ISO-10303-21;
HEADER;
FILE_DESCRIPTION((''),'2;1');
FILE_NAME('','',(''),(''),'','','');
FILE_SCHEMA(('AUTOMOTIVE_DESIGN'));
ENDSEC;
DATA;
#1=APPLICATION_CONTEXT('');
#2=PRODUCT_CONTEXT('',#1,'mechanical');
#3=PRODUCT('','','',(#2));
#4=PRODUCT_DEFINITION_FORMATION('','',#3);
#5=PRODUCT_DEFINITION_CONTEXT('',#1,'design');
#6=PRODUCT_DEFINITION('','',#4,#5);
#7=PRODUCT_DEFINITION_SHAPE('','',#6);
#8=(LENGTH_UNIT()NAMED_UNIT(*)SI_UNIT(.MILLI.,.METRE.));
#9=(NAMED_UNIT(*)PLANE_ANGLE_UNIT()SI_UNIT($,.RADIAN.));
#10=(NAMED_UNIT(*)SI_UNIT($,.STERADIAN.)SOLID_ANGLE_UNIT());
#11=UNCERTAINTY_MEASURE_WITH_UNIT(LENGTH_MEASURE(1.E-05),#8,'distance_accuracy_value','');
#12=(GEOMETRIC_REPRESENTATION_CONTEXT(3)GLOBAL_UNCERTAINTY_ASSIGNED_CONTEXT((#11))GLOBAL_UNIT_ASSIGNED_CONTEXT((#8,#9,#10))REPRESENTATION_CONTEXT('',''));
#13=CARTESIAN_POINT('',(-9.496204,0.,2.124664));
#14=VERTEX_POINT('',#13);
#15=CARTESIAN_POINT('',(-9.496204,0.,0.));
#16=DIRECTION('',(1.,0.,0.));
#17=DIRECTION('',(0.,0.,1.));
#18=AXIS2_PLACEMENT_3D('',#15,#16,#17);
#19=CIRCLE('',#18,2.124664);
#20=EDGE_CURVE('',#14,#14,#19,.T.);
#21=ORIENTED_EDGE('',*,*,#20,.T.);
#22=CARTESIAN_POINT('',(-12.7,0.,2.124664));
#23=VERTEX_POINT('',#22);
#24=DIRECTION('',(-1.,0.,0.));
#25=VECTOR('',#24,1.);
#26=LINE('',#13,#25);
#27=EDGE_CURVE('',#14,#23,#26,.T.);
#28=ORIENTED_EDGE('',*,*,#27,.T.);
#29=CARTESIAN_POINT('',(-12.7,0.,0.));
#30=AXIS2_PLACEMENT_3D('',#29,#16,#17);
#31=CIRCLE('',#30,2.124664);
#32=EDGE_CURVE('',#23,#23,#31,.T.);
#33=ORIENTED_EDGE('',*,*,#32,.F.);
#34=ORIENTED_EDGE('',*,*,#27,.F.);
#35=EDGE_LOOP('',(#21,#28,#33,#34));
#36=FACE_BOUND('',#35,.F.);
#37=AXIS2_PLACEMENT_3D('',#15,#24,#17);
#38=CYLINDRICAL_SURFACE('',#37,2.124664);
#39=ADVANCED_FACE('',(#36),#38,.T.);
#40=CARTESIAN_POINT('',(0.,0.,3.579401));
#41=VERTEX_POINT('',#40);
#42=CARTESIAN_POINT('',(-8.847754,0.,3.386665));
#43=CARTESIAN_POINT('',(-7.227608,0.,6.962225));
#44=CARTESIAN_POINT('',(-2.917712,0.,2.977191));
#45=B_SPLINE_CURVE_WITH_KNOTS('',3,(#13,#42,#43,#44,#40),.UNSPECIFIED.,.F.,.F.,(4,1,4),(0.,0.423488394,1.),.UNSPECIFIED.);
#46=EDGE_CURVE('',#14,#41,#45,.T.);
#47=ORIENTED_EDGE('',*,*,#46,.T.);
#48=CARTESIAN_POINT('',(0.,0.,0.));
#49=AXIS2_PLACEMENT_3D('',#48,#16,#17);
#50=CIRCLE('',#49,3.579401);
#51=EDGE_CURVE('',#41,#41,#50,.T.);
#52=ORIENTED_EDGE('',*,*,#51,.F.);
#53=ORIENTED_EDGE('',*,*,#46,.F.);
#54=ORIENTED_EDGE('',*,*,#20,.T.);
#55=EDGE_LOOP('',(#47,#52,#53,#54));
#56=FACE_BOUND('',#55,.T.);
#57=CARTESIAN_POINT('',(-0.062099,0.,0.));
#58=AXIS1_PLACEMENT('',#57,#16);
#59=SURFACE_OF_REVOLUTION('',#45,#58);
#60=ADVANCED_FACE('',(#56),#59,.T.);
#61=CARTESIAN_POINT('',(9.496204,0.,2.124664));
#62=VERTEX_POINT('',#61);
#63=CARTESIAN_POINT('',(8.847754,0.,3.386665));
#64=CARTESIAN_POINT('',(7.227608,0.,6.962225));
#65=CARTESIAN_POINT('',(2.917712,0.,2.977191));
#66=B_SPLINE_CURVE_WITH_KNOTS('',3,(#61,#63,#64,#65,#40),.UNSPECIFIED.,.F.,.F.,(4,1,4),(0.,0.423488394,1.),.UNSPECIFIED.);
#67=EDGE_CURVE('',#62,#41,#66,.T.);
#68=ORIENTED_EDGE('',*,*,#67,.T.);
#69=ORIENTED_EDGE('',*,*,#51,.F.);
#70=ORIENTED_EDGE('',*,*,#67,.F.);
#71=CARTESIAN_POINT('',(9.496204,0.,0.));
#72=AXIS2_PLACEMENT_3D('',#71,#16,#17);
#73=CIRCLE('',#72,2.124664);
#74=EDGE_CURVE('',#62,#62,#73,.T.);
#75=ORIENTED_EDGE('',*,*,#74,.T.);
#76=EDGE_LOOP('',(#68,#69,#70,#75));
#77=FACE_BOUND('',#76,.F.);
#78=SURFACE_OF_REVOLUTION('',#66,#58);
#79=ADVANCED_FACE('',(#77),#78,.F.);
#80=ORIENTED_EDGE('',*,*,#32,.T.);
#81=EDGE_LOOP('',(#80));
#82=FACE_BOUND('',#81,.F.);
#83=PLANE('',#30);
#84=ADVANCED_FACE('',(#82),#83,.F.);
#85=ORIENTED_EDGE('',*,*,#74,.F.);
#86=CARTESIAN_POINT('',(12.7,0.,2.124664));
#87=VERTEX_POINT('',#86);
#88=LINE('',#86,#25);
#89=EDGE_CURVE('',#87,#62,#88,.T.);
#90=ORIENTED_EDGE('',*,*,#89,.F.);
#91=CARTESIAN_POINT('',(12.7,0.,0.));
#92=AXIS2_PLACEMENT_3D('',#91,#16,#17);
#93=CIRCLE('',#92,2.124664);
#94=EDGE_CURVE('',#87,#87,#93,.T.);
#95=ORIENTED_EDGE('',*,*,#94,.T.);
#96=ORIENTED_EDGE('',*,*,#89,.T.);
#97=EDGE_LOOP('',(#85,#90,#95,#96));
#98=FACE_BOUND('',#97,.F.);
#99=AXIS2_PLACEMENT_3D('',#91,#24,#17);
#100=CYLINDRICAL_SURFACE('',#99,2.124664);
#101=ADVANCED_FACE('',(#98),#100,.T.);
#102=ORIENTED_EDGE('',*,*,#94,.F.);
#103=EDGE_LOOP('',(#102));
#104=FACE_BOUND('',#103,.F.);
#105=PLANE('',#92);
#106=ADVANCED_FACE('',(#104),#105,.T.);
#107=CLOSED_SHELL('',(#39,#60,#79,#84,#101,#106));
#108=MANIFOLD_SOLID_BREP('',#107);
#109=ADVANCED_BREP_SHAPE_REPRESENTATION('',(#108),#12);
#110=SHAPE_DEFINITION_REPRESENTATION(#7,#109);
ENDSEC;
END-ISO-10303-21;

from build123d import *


with BuildPart() as f2:
    # F0 (on Front) → F2 (revolve)
    with BuildSketch(Plane.XZ):
        with BuildLine():
            Line((-12.7, 0), (0, 0))
            Line((0, 0), (12.7, 0))
            Line((12.7, 0), (12.7, 2.1246635822))
            Line((12.7, 2.1246635822), (9.4962037243, 2.1246635822))
            add(Edge.make_bspline(
                [(9.4962037243, 2.1246635822), (8.847753558, 3.3866646294), (7.2276083815, 6.9622252691), (2.9177115773, 2.9771906303), (0, 3.5794011501)],
                knots=[0, 0, 0, 0, 0.4234883945, 1, 1, 1, 1], degree=3))
            add(Edge.make_bspline(
                [(-9.4962037243, 2.1246635822), (-8.847753558, 3.3866646294), (-7.2276083815, 6.9622252691), (-2.9177115773, 2.9771906303), (0, 3.5794011501)],
                knots=[0, 0, 0, 0, 0.4234883945, 1, 1, 1, 1], degree=3))
            Line((-9.4962037243, 2.1246635822), (-12.7, 2.1246635822))
            Line((-12.7, 2.1246635822), (-12.7, 0))
        make_face()
    revolve(axis=Axis((-0.0620987266, 0, 0), (1, 0, 0)))


solid = f2.part
